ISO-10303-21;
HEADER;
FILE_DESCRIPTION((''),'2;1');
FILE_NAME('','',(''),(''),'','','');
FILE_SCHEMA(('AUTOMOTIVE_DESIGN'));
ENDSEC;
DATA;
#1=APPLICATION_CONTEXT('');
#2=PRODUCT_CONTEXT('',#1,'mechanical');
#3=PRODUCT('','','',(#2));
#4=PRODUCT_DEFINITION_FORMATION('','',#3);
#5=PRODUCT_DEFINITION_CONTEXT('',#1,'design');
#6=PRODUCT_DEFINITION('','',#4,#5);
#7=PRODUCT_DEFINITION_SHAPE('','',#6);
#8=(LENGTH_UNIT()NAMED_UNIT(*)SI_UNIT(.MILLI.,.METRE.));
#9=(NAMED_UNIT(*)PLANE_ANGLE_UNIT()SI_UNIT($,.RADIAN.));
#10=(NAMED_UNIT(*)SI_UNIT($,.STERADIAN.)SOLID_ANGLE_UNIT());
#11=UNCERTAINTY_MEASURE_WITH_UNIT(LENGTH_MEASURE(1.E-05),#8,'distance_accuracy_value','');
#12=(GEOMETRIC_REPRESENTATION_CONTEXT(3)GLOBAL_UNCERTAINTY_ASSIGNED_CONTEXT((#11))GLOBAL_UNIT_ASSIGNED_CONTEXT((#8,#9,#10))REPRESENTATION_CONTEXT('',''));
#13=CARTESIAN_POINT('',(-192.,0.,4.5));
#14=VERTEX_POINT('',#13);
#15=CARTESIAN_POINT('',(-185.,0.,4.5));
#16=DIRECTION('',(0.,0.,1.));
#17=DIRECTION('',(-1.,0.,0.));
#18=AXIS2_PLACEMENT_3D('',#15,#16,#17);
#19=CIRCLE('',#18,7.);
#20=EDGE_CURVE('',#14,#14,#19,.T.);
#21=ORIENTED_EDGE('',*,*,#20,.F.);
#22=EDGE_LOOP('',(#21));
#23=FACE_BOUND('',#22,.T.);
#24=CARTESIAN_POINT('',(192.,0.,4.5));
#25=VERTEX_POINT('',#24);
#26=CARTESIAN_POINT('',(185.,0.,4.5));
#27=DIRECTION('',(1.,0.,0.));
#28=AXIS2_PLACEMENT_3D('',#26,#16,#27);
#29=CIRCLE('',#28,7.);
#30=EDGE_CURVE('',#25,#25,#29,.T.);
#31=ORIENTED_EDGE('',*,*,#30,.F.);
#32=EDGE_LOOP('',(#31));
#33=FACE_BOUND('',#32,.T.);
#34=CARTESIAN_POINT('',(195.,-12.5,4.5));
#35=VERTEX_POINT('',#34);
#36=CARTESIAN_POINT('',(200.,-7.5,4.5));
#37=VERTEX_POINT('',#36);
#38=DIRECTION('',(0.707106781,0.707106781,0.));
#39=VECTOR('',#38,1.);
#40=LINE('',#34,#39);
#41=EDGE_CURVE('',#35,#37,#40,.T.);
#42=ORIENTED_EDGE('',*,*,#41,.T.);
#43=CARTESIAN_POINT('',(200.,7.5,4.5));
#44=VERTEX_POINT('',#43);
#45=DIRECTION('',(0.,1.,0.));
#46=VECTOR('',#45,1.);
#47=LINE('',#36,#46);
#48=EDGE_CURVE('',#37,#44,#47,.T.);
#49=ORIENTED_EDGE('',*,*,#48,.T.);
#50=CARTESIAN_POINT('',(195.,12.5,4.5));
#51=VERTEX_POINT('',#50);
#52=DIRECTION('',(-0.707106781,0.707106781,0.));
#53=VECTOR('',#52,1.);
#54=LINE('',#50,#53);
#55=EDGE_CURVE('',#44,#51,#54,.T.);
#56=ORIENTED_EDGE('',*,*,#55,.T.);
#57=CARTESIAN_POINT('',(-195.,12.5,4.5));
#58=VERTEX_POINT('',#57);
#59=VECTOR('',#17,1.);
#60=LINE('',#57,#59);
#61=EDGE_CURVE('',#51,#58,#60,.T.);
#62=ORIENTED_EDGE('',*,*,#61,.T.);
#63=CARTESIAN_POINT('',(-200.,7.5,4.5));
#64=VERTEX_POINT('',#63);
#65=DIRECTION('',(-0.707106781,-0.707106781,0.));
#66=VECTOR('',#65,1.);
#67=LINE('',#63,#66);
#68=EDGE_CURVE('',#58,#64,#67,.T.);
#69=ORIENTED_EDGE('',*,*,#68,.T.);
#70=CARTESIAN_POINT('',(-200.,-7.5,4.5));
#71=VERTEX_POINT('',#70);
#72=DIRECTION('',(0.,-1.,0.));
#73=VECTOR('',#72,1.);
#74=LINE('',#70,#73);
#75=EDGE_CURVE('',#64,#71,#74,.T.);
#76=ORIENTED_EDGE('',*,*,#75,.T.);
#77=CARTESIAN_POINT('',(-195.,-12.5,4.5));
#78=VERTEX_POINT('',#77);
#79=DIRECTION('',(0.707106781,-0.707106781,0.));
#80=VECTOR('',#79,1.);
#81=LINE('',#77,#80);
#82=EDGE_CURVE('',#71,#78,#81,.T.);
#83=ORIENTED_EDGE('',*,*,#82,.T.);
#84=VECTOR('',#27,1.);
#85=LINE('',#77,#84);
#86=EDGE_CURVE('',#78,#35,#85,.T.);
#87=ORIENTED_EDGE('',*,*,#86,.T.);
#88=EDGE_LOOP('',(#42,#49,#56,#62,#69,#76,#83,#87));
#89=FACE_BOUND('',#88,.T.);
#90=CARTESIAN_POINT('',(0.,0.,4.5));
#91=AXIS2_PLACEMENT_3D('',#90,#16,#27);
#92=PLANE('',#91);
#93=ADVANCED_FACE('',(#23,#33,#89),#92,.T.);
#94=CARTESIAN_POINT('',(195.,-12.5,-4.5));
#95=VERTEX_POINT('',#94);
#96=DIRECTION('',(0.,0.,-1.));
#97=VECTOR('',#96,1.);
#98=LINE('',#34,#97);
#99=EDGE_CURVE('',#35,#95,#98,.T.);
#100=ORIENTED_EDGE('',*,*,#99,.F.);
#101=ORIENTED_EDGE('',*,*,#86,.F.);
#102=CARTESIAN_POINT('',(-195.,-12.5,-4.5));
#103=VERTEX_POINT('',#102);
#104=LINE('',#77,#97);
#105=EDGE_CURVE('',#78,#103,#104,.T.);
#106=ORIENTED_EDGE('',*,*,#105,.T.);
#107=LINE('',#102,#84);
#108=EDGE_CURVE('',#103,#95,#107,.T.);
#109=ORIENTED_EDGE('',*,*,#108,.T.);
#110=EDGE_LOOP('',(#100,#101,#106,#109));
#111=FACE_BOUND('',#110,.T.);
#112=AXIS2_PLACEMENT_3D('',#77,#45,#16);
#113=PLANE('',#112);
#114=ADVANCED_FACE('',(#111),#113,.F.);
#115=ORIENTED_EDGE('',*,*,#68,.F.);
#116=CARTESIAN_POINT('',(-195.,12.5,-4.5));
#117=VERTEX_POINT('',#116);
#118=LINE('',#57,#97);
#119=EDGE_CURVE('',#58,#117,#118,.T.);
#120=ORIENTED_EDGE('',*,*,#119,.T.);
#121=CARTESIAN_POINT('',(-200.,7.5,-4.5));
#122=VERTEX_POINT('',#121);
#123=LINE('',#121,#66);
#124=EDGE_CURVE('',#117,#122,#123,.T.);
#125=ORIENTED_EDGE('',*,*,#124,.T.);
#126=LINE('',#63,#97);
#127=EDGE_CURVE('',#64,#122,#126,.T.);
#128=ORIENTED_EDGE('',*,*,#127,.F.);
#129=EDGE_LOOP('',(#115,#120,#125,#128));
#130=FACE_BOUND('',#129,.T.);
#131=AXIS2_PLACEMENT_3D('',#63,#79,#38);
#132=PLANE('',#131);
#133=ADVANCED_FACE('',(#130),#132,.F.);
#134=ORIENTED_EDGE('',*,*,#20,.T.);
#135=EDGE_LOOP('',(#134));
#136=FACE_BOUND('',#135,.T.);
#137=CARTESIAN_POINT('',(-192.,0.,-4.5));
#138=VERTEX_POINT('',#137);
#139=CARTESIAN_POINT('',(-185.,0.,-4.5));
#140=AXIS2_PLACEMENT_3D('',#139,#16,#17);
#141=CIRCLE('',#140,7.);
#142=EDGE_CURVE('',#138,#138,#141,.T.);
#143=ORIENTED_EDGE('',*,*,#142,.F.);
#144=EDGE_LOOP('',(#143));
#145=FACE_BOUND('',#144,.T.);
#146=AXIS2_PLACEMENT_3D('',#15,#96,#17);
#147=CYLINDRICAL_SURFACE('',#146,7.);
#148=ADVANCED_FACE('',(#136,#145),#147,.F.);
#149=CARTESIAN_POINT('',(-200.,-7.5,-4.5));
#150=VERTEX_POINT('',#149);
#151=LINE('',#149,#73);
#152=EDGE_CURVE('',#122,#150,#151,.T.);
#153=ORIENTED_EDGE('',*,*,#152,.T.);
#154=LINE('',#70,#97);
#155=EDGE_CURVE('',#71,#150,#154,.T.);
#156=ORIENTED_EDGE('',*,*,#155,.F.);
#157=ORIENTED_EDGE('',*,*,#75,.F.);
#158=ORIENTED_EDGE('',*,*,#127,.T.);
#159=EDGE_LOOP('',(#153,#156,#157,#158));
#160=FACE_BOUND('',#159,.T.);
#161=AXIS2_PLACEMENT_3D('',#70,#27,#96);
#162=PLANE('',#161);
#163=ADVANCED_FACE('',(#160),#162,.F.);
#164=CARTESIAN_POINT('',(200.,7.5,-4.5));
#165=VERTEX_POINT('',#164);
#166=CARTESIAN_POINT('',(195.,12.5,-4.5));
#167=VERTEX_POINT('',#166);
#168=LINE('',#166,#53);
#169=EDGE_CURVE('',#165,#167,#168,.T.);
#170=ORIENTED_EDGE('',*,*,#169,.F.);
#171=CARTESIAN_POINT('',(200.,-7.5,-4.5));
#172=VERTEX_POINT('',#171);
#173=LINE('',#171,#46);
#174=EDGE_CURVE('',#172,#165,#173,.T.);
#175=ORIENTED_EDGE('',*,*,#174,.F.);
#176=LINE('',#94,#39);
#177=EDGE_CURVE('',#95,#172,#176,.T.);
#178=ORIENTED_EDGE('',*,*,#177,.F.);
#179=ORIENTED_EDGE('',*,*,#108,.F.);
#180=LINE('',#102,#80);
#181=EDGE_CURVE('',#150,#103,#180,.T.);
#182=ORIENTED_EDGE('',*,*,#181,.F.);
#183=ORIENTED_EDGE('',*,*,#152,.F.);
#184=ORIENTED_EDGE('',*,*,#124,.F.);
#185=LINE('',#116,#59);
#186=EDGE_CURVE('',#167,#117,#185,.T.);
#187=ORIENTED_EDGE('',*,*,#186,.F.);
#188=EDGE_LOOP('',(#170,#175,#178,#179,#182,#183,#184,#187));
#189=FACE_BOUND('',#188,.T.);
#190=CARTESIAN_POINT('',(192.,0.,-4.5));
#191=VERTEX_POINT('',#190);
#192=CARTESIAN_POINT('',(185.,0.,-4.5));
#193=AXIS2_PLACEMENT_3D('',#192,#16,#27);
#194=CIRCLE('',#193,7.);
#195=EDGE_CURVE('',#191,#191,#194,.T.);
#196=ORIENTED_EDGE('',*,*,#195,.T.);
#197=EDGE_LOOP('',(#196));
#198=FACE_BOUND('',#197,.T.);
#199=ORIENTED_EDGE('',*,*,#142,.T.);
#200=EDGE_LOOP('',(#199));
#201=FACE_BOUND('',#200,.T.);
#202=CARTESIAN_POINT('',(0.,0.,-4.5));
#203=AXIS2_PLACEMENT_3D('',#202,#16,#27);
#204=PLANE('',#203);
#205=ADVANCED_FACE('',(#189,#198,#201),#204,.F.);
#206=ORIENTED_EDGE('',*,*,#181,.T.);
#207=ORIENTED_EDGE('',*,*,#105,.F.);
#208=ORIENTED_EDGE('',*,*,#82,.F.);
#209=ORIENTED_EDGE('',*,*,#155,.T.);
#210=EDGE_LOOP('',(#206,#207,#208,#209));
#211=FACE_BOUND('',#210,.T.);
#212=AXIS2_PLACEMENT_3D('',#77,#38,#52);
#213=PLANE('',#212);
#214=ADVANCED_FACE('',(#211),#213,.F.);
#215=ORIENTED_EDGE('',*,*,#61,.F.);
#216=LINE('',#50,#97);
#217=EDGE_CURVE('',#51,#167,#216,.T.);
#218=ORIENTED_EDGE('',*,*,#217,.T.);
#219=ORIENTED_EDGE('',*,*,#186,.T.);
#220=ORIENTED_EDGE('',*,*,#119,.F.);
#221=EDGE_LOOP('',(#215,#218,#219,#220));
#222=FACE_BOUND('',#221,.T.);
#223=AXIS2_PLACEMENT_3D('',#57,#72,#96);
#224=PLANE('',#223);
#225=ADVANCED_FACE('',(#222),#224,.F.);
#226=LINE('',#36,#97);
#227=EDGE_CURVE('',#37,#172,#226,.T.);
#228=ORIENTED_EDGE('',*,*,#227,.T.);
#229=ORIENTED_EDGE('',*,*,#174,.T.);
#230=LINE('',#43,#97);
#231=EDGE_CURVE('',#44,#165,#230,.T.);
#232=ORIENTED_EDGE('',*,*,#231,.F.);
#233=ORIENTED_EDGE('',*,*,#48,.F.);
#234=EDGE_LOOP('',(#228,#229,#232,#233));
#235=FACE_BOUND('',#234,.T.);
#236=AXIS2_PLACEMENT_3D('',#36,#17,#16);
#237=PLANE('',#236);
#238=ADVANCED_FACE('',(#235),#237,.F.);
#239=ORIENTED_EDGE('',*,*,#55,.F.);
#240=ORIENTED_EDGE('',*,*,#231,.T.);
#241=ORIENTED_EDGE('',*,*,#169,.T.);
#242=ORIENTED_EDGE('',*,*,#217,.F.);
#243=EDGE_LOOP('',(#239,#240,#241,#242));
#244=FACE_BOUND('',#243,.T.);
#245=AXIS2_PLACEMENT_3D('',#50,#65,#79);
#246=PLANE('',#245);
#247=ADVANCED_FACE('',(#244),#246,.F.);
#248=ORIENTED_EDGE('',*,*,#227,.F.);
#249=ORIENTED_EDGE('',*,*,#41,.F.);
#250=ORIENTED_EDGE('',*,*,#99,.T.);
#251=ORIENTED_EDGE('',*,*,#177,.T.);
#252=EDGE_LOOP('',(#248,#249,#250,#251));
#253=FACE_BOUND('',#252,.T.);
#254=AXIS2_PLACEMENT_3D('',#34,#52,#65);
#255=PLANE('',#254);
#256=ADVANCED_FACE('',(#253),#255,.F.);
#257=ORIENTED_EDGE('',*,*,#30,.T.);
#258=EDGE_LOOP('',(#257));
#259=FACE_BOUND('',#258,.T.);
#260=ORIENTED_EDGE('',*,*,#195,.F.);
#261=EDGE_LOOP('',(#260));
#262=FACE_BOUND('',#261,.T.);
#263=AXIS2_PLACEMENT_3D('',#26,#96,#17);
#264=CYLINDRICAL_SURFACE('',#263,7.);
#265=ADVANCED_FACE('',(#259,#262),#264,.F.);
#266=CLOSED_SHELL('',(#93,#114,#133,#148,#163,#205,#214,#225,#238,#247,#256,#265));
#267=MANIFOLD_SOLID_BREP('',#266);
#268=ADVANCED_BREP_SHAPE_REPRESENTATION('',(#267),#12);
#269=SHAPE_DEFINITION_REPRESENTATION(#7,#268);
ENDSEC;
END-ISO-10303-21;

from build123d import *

# Parameters (mm, degrees)
SKETCH_1_R      = 7
EXTRUDE_1_DEPTH = 4.5


with BuildPart() as part:
    # 草圖1 → 填料-伸長1 (new body, symmetric)
    with BuildSketch(Plane.XY):
        Polygon((195, 12.5), (200, 7.5), (200, -7.5), (195, -12.5), (-195, -12.5), (-200, -7.5), (-200, 7.5), (-195, 12.5), align=None)
        with Locations((185, 0)):
            Circle(SKETCH_1_R, mode=Mode.SUBTRACT)
        with Locations((-185, 0)):
            Circle(SKETCH_1_R, mode=Mode.SUBTRACT)
    extrude(amount=EXTRUDE_1_DEPTH, both=True)


solid = part.part
